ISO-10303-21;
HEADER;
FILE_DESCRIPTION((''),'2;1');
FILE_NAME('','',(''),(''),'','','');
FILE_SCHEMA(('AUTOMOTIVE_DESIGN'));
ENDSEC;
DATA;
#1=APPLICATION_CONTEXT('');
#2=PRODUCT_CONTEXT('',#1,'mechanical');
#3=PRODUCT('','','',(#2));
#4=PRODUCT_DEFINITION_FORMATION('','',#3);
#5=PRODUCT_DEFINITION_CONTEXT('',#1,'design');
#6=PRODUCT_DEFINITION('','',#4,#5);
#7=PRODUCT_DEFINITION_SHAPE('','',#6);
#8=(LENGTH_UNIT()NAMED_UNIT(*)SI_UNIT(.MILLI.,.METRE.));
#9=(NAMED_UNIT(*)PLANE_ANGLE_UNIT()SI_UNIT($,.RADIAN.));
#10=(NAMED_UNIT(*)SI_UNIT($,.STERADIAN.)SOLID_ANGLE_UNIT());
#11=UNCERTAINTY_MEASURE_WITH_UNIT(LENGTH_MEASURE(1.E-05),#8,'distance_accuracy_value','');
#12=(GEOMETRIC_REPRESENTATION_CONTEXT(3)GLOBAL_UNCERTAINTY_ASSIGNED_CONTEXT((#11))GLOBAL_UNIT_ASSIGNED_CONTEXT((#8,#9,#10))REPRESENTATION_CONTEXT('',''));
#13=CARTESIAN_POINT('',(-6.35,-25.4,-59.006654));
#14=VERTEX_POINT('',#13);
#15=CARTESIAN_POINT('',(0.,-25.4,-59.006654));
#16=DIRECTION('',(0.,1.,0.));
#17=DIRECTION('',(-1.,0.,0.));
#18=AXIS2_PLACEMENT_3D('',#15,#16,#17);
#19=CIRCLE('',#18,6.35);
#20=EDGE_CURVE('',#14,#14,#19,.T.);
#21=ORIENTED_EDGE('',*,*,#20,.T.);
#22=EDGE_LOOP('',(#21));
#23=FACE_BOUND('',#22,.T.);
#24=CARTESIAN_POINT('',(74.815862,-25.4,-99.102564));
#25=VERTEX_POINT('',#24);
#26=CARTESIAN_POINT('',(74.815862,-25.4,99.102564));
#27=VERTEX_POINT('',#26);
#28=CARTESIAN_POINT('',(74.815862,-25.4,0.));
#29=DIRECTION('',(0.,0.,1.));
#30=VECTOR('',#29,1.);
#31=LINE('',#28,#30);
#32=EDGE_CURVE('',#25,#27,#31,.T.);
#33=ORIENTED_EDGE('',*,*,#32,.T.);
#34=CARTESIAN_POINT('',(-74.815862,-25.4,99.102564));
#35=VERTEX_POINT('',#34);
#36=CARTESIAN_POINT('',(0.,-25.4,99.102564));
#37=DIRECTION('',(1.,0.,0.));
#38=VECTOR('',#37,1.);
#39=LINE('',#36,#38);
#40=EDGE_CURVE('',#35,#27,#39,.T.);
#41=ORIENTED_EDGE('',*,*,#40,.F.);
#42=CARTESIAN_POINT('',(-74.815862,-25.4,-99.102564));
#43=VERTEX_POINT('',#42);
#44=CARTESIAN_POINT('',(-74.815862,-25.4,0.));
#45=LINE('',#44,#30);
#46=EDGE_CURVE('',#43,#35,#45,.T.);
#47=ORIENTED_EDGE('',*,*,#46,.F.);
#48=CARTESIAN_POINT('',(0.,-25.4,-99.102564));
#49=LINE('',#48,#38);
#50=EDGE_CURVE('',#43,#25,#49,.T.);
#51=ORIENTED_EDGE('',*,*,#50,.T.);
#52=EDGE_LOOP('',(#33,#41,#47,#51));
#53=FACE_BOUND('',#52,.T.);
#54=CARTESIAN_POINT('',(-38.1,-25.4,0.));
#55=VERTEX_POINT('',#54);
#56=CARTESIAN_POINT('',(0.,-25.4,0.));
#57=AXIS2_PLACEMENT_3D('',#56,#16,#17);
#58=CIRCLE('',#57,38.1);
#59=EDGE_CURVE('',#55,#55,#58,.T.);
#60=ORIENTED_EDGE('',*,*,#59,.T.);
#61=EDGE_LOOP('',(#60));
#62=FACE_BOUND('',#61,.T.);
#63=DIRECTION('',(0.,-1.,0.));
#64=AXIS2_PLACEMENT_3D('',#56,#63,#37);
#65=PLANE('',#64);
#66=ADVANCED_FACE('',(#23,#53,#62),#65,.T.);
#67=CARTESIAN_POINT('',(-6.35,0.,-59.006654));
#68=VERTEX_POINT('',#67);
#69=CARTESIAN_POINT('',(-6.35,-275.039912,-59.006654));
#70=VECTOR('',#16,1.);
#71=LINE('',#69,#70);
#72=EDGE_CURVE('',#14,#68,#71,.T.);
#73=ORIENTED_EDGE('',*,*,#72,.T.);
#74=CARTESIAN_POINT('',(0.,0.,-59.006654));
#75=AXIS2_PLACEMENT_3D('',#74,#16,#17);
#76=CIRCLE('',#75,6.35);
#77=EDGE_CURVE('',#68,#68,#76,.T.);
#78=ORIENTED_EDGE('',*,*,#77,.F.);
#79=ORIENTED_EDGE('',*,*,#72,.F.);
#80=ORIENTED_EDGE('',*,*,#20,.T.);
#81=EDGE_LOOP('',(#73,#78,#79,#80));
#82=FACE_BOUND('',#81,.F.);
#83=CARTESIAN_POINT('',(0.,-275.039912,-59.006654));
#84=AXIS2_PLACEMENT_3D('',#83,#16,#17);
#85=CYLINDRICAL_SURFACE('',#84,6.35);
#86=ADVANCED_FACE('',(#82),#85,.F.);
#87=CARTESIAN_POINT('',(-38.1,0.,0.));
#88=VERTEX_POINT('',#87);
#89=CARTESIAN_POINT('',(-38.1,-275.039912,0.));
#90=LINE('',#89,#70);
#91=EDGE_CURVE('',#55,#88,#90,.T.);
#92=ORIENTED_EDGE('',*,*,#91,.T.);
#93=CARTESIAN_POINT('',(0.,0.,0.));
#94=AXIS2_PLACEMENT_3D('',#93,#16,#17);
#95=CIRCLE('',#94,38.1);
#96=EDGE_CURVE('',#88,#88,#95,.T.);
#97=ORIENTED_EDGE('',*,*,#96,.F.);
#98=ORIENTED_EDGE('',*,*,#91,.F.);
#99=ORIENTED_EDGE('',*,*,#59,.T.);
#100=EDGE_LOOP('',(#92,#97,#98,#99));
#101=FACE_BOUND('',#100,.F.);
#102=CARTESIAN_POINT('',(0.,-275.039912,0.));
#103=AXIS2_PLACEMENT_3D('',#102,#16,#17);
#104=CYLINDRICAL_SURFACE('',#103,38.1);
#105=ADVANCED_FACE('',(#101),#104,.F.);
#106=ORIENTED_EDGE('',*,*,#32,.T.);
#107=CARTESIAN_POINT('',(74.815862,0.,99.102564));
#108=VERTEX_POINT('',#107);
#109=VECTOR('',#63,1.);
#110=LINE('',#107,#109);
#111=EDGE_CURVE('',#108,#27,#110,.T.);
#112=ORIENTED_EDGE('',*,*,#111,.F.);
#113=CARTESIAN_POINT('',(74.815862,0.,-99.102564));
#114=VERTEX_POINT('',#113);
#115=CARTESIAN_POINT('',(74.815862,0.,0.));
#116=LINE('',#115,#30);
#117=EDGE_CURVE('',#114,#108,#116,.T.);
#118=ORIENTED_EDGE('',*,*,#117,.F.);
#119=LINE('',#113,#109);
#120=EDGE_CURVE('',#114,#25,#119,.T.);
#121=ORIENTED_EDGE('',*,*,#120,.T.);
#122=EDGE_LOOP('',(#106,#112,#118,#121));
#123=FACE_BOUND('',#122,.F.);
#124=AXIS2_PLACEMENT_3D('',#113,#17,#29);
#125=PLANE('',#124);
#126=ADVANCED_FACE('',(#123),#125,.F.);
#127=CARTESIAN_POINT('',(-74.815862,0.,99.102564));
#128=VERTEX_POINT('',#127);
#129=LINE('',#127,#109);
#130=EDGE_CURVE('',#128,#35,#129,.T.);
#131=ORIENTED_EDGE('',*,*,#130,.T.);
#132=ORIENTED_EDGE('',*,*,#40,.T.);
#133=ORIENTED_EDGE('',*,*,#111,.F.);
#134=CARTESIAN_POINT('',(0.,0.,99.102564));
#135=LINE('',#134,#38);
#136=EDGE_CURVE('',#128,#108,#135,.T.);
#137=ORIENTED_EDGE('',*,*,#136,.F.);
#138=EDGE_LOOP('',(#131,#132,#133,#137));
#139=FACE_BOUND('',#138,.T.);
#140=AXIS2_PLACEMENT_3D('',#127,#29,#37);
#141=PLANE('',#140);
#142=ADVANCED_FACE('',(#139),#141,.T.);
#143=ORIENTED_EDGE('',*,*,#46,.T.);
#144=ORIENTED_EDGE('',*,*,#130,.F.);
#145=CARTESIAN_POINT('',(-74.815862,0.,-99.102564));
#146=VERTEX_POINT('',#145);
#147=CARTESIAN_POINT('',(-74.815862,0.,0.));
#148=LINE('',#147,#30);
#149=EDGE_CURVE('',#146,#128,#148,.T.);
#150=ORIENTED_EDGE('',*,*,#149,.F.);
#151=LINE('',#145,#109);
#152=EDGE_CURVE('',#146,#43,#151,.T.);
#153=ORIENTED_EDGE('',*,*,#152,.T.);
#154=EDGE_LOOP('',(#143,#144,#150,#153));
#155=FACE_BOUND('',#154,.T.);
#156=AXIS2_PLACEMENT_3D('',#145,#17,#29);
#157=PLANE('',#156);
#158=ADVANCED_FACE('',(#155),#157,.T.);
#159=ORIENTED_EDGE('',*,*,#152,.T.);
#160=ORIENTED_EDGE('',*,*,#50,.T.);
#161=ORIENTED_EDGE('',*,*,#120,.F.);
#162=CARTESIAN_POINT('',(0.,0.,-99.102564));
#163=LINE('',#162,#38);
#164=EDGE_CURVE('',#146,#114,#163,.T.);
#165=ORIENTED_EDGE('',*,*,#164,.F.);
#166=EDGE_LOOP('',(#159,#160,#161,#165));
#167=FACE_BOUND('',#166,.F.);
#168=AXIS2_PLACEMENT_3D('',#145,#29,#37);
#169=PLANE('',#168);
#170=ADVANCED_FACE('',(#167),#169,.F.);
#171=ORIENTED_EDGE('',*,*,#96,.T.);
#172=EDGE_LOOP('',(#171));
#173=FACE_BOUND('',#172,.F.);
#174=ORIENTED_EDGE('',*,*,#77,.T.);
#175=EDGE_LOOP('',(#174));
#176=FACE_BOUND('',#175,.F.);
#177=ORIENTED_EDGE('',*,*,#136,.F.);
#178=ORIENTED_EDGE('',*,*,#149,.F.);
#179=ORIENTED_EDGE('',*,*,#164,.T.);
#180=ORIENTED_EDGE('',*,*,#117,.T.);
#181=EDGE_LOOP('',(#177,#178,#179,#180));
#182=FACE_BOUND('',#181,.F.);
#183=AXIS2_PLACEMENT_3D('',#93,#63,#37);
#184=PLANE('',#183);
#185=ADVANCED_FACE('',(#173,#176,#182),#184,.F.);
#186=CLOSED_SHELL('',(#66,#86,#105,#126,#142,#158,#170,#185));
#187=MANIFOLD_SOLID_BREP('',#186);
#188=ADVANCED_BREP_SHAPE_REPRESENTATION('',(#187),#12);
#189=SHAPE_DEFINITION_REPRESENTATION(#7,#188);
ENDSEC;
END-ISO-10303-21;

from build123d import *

# Parameters (mm, degrees)
F0_W     = 149.631724
F0_H     = 198.205128
F1_DEPTH = 25.4
F3_D     = 76.2
F5_D     = 12.7


with BuildPart() as f1:
    # F0 (on Front) → F1 (new body)
    with BuildSketch(Plane.XZ):
        Rectangle(F0_W, F0_H)
    extrude(amount=F1_DEPTH)

    # F3 (through all)
    with Locations(Plane.XZ.offset(25.4)):
        with Locations((0, 0)):
            Hole(F3_D / 2)

    # F5 (through all)
    with Locations(Plane.XZ.offset(25.4)):
        with Locations((0, -59.006654)):
            Hole(F5_D / 2)


solid = f1.part
